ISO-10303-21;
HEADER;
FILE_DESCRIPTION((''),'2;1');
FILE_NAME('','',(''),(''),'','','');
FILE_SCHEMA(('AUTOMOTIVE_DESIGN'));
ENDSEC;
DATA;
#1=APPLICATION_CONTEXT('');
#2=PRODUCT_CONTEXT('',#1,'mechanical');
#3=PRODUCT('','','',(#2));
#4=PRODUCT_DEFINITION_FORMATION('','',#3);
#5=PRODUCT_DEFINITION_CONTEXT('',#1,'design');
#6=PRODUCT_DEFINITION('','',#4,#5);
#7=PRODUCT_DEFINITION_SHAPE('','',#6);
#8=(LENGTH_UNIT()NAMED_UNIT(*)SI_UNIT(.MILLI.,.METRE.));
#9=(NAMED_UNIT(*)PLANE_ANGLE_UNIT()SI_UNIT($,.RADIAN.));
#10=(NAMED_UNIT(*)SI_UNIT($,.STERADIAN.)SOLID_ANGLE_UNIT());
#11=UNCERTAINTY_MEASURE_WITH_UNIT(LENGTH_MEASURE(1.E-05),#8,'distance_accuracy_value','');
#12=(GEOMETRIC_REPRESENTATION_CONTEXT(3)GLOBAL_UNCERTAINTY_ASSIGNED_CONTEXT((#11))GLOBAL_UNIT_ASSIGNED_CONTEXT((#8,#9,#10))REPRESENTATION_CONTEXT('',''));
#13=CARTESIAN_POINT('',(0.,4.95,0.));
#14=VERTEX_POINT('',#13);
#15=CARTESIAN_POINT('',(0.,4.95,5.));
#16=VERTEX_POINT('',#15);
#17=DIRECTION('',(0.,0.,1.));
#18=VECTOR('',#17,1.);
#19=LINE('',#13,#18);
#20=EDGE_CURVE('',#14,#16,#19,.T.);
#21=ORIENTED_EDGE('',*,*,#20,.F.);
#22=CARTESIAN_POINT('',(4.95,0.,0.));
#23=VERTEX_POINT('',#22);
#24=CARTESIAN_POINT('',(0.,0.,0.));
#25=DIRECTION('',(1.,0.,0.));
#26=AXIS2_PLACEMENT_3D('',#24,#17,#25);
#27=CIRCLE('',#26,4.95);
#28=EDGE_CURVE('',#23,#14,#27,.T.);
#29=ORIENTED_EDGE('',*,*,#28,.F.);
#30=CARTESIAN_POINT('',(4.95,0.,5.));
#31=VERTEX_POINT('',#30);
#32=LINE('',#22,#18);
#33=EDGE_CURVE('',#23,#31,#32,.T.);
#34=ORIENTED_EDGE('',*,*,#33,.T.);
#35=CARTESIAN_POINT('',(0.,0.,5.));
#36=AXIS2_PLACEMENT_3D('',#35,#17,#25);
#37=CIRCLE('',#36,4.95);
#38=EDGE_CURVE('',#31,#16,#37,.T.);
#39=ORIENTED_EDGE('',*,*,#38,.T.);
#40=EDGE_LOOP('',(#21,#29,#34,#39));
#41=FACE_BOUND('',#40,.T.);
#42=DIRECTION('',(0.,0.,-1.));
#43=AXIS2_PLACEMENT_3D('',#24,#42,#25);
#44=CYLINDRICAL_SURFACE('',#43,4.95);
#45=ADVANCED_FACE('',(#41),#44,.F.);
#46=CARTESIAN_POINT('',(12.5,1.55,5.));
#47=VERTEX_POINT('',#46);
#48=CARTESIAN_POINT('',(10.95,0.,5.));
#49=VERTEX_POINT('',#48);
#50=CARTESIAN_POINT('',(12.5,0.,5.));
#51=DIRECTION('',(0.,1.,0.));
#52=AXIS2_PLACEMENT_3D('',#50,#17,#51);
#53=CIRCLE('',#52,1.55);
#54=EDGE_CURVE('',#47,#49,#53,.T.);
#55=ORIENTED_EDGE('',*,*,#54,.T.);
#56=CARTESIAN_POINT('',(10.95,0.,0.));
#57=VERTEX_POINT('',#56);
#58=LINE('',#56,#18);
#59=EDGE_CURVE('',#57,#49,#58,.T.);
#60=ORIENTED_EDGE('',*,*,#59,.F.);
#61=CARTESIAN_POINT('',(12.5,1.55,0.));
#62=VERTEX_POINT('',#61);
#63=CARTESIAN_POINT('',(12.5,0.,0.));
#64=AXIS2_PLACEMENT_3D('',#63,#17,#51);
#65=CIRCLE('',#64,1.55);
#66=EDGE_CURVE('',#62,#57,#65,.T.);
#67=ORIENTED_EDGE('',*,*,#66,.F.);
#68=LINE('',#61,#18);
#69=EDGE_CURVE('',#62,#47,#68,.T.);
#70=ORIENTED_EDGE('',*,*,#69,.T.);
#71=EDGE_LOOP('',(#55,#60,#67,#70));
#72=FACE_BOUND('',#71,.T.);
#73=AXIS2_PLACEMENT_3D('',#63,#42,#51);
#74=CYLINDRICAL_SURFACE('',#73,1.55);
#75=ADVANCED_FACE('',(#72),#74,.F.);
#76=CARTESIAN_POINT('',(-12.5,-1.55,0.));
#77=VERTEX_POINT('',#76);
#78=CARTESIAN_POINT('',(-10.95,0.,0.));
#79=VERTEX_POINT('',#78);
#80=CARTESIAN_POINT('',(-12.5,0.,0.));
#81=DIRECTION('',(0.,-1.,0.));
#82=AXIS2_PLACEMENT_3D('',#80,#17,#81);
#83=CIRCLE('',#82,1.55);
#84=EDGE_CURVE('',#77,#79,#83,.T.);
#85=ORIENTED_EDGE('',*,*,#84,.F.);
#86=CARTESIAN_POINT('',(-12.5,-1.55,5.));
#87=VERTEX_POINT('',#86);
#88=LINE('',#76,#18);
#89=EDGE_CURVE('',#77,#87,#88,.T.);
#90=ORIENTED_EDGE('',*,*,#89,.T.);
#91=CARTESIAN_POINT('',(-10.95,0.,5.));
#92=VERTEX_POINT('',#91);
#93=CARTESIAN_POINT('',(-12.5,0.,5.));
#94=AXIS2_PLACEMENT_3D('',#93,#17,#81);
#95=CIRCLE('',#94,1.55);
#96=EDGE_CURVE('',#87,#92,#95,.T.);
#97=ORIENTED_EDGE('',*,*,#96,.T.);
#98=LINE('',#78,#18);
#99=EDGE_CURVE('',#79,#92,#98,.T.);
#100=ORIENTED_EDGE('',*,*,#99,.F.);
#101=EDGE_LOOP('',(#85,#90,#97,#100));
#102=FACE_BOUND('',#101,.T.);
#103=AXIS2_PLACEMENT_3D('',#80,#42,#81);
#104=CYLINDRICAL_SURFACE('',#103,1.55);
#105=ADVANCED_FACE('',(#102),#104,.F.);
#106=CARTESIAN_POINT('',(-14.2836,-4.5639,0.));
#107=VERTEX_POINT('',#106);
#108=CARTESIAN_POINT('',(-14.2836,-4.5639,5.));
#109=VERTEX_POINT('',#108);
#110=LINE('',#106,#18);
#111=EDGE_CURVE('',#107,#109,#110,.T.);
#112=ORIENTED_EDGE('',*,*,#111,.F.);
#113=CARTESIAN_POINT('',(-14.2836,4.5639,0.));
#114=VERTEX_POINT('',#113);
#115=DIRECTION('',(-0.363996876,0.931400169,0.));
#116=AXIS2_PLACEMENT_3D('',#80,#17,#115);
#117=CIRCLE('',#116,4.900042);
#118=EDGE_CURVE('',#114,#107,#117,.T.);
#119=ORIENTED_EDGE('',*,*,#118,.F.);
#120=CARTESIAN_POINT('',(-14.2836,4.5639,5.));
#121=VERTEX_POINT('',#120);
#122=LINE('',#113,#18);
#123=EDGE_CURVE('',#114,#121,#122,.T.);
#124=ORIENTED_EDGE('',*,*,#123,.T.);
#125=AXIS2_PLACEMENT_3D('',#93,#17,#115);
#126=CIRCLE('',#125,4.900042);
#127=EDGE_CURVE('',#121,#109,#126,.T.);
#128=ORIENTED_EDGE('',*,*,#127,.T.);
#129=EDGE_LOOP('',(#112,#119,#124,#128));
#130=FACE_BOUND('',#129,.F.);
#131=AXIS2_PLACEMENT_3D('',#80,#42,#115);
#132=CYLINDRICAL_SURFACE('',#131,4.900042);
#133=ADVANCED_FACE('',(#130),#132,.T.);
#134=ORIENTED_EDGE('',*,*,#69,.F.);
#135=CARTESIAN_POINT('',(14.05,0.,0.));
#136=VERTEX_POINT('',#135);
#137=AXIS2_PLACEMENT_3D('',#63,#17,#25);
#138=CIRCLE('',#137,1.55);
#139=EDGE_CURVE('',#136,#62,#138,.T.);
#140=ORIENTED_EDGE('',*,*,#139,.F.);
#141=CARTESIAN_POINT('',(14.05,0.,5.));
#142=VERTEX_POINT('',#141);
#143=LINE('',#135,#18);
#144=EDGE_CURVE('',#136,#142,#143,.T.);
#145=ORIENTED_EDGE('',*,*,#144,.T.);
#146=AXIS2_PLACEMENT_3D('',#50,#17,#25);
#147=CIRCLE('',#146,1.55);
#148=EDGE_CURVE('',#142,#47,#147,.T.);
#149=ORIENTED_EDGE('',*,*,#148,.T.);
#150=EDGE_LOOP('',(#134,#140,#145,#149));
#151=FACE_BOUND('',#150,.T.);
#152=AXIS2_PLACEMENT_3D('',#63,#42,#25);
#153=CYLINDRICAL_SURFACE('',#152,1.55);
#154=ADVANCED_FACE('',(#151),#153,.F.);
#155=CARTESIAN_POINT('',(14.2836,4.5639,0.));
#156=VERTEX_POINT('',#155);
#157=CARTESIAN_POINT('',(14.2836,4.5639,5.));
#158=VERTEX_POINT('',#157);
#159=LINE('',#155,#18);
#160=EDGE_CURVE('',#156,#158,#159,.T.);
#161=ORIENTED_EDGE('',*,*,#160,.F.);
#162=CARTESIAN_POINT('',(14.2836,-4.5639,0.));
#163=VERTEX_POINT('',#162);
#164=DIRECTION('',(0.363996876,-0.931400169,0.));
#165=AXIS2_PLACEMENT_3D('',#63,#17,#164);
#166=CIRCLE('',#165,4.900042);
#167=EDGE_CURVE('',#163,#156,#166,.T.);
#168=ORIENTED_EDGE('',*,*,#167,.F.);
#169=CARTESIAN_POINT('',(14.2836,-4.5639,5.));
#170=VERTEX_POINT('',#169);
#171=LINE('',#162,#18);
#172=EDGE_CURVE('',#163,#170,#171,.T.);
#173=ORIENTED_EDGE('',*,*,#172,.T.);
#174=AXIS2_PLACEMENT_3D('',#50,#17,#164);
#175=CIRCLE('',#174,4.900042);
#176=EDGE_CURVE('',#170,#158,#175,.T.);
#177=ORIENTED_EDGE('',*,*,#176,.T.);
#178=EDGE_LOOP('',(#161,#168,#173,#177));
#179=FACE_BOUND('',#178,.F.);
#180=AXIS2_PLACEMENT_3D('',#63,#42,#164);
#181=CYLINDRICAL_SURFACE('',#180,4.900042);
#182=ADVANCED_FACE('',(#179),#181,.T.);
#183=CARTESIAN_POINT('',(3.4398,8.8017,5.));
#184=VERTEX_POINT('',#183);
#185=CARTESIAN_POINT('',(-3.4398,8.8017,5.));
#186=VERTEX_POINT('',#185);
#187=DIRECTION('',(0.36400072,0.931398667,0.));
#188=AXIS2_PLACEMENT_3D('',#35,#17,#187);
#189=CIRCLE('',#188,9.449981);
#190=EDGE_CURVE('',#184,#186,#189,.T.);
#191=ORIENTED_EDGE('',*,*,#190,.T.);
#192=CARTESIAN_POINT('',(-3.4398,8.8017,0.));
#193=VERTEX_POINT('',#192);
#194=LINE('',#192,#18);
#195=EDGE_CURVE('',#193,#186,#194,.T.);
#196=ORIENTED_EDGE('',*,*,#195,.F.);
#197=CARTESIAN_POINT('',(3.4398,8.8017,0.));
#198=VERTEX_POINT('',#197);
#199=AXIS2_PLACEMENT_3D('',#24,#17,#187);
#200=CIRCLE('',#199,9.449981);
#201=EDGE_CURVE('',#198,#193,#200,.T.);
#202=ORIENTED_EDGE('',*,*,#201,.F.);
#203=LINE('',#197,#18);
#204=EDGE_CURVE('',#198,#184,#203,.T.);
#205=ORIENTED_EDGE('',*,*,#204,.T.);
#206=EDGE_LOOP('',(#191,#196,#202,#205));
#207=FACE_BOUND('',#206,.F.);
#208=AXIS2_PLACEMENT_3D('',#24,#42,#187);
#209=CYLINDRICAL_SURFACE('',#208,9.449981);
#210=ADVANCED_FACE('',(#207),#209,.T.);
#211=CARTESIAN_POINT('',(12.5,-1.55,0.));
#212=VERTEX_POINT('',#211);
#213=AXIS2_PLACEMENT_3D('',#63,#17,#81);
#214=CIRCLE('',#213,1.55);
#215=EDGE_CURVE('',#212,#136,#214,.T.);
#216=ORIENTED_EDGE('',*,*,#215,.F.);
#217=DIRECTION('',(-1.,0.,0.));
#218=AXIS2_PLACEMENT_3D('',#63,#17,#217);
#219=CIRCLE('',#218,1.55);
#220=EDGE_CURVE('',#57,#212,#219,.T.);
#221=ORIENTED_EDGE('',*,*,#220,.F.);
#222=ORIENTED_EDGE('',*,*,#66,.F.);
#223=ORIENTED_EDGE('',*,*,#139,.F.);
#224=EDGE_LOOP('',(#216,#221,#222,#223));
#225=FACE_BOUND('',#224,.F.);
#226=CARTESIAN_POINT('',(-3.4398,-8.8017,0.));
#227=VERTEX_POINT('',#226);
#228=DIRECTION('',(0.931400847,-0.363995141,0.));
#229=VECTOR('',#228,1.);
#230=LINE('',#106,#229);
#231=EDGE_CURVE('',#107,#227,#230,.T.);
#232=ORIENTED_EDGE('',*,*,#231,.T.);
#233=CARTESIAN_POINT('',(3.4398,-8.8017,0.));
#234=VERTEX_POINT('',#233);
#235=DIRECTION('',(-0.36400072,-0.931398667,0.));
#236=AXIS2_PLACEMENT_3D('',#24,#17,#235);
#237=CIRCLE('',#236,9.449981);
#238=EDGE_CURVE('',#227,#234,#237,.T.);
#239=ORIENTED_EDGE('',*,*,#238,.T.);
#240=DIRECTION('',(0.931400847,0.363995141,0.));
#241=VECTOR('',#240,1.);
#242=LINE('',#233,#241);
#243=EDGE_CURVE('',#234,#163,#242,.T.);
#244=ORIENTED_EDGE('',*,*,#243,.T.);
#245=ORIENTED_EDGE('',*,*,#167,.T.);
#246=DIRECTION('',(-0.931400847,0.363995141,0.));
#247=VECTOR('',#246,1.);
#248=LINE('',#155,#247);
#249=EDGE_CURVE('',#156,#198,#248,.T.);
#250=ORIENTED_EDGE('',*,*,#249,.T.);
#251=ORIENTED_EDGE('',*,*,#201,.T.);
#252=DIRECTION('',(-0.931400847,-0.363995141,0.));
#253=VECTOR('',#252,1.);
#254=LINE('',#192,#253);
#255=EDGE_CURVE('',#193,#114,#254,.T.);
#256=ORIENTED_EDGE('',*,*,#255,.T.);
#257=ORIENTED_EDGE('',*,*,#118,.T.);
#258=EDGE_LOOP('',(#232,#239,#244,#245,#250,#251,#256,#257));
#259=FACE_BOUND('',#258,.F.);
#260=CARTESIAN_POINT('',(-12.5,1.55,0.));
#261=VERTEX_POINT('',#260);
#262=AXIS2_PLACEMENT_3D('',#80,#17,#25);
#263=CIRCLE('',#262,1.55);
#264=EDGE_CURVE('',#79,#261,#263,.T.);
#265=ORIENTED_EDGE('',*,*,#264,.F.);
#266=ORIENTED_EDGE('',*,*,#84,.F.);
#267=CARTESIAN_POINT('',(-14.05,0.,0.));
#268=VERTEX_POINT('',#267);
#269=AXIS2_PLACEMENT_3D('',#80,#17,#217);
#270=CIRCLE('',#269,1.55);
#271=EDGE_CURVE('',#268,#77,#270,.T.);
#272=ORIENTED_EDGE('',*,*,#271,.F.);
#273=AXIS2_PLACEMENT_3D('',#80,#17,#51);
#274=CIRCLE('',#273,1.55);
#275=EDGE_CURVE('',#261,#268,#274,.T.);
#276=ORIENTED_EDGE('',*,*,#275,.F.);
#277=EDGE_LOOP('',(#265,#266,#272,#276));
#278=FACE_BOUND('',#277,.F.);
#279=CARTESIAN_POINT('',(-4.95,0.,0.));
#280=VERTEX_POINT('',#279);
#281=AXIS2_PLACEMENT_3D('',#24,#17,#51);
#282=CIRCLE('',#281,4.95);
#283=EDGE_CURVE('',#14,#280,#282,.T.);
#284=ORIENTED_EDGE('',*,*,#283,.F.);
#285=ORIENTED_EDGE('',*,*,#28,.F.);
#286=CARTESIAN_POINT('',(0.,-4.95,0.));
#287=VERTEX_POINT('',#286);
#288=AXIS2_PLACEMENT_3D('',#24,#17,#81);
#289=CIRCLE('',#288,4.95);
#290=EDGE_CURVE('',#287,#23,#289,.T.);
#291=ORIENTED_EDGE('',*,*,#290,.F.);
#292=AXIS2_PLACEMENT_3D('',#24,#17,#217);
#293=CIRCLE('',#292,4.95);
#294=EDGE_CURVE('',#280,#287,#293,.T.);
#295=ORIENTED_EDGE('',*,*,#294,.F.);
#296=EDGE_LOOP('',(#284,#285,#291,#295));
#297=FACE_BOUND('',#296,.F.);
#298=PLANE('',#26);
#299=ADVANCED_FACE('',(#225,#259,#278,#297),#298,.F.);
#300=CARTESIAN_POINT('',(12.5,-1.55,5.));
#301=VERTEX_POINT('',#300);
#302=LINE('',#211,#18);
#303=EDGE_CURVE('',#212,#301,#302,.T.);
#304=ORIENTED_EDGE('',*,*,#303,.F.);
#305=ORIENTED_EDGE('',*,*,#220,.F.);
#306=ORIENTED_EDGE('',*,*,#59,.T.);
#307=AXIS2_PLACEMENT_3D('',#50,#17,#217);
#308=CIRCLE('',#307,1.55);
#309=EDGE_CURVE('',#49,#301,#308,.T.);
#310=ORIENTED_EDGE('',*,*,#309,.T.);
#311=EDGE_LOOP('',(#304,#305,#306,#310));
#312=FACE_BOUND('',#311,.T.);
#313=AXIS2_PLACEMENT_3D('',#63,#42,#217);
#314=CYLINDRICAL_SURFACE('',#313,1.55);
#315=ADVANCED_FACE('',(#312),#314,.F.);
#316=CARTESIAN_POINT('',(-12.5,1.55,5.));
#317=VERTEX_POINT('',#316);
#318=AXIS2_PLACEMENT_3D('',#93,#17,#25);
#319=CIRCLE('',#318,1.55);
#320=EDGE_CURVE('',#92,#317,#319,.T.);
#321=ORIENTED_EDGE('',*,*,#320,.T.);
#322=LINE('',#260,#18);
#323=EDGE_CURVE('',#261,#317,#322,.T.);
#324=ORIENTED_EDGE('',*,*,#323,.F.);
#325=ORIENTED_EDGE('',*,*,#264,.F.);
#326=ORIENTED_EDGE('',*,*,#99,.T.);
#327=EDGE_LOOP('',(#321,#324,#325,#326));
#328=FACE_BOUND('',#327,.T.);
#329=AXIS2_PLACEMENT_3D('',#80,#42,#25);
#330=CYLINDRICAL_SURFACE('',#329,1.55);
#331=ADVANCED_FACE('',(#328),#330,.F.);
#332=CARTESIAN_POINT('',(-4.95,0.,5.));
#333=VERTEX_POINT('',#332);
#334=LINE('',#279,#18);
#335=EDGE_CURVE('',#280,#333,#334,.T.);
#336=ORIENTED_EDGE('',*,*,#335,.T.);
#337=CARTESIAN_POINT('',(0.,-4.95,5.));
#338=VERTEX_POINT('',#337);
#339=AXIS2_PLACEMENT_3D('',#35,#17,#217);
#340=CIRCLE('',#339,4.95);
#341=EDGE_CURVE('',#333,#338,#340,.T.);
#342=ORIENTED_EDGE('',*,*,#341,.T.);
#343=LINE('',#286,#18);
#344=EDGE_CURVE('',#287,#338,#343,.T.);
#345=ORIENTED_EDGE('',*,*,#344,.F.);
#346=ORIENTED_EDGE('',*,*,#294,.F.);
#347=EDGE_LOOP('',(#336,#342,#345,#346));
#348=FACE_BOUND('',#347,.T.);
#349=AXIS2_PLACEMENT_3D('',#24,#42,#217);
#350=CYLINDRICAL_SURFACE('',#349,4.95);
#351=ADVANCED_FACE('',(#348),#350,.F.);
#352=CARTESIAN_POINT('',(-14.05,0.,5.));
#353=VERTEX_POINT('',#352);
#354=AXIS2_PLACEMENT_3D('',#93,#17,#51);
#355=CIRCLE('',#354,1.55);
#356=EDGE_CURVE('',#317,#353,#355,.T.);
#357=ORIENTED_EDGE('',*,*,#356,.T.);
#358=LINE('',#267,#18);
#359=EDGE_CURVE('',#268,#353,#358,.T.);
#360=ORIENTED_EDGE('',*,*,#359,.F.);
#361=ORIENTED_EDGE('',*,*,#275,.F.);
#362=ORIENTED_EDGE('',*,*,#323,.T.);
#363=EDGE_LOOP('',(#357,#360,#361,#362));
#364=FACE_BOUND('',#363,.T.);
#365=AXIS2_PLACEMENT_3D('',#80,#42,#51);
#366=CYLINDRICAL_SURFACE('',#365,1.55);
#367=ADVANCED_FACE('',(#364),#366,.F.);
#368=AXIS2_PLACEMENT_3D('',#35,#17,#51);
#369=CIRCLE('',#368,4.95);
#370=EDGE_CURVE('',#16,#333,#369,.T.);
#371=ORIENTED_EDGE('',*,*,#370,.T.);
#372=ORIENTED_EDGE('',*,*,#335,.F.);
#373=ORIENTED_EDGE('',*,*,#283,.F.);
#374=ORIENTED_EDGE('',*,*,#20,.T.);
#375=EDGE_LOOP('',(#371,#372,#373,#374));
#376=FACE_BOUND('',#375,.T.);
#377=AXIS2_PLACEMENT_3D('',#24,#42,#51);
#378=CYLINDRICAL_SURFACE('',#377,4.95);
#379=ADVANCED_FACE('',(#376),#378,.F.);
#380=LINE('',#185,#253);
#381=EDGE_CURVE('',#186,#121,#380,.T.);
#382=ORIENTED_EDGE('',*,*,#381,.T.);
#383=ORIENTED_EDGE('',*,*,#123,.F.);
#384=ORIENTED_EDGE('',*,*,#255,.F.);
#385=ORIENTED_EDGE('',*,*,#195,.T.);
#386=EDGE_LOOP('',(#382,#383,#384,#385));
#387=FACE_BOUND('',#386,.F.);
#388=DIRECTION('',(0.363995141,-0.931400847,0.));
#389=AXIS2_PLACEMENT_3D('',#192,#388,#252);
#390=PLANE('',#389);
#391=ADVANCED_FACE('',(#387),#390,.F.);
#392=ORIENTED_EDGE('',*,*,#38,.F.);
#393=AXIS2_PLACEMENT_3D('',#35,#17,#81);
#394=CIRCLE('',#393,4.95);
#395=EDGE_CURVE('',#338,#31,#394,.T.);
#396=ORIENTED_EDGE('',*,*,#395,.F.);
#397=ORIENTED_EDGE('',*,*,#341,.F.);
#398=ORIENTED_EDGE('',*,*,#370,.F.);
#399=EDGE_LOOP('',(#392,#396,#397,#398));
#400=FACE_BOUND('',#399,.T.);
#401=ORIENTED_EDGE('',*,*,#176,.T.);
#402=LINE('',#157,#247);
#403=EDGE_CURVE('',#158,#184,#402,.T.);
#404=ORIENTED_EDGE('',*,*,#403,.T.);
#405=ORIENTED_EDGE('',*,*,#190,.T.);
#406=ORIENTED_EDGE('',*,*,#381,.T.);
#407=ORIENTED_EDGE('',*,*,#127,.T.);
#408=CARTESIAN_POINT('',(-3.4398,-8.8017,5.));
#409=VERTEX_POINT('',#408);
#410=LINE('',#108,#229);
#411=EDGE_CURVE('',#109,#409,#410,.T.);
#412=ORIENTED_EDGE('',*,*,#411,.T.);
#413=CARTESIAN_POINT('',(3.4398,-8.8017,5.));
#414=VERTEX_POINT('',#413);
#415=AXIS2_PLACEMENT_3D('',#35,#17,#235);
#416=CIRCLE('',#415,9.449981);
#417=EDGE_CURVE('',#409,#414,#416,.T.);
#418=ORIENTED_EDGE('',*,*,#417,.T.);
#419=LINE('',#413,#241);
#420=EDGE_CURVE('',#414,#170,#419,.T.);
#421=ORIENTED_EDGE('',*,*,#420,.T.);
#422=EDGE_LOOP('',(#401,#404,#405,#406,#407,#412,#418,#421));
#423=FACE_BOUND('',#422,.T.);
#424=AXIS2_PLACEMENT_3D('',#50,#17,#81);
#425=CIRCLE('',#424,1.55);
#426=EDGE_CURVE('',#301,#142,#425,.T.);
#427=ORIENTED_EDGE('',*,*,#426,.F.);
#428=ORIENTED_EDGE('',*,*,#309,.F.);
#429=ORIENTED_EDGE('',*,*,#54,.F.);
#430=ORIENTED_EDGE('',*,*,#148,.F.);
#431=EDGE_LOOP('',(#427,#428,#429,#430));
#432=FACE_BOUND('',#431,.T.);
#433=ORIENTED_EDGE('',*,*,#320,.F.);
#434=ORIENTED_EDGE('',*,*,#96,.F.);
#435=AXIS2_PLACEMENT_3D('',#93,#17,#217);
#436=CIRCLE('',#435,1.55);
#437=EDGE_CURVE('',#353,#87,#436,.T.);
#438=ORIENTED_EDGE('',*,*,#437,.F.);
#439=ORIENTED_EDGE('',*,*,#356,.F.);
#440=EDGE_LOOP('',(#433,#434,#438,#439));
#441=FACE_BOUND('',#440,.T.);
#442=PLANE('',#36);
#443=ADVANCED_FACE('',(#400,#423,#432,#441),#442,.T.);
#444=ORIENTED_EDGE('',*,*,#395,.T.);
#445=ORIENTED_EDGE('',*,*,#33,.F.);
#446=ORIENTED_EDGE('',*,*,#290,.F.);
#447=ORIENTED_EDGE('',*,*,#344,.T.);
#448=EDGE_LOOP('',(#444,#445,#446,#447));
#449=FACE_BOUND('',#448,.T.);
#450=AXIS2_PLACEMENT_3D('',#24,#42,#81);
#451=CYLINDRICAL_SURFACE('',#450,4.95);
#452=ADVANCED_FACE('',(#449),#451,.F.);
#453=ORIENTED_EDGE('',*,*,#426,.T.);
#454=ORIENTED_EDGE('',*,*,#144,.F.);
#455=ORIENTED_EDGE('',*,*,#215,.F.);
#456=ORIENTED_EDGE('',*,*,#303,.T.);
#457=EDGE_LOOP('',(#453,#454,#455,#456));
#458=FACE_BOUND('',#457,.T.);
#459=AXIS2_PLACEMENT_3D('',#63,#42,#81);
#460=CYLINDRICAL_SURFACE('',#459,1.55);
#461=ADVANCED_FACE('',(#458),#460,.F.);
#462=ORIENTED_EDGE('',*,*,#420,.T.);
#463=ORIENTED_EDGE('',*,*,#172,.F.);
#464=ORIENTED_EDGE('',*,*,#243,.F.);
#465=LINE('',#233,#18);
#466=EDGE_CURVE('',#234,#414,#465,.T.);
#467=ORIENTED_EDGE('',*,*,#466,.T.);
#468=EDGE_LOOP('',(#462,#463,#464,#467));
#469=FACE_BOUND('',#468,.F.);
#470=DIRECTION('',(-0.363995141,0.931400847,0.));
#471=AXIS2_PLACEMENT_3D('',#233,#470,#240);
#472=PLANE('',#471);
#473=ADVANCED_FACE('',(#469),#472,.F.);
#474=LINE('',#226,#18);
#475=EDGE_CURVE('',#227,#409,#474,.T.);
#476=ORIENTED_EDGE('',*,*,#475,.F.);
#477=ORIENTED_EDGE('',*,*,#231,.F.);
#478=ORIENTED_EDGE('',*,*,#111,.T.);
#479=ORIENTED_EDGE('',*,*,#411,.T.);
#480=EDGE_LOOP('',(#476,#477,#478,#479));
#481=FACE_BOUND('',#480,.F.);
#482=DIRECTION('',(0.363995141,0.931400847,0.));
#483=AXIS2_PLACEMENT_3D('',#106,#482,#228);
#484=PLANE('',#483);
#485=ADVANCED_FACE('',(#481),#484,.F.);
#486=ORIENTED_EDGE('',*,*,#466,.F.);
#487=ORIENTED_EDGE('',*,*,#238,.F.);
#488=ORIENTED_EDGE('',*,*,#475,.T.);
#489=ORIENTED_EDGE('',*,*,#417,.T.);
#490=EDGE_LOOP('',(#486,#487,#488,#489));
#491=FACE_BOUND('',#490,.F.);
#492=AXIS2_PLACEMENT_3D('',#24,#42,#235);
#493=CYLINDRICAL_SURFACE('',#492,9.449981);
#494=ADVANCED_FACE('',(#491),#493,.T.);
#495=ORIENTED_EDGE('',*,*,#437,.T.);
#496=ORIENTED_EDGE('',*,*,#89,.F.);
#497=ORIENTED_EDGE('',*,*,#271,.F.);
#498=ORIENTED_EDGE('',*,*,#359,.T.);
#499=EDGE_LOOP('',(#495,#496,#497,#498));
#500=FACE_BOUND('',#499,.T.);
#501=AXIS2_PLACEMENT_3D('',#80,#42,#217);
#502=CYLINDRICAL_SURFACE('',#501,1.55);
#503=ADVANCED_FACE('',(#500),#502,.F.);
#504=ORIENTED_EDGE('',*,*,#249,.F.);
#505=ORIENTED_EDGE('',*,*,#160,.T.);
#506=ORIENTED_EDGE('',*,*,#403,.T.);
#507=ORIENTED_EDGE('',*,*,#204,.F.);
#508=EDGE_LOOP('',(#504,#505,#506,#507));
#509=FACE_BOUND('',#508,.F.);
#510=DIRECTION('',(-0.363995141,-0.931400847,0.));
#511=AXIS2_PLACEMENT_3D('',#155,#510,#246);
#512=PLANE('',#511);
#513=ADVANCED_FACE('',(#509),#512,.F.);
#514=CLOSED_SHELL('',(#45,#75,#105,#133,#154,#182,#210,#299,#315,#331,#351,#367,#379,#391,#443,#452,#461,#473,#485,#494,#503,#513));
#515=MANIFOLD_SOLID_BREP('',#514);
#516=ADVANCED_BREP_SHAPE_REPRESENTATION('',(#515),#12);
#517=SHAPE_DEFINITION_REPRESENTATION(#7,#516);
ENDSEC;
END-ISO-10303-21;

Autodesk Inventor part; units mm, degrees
ref_plane "YZ Plane" through (0, 0, 0) normal (1, 0, 0) x (0, 1, 0)
ref_plane "XZ Plane" through (0, 0, 0) normal (0, 1, 0) x (-1, 0, 0)
ref_plane "XY Plane" through (0, 0, 0) normal (0, 0, 1) x (1, 0, 0)
sketch "Boceto1" plane through (0, 0, 0) normal (0, 0, 1) x (1, 0, 0)
  arc A0 (12.5, 1.55) -> (10.95, 0) centre (12.5, 0) ccw
  arc A1 (10.95, 0) -> (12.5, -1.55) centre (12.5, 0) ccw
  arc A2 (12.5, -1.55) -> (14.05, 0) centre (12.5, 0) ccw
  arc A3 (14.05, 0) -> (12.5, 1.55) centre (12.5, 0) ccw
  arc A4 (0, 4.95) -> (-4.95, 0) centre (0, 0) ccw
  arc A5 (-4.95, 0) -> (0, -4.95) centre (0, 0) ccw
  arc A6 (0, -4.95) -> (4.95, 0) centre (0, 0) ccw
  arc A7 (4.95, 0) -> (0, 4.95) centre (0, 0) ccw
  arc A8 (-12.5, 1.55) -> (-14.05, 0) centre (-12.5, 0) ccw
  arc A9 (-14.05, 0) -> (-12.5, -1.55) centre (-12.5, 0) ccw
  arc A10 (-12.5, -1.55) -> (-10.95, 0) centre (-12.5, 0) ccw
  arc A11 (-10.95, 0) -> (-12.5, 1.55) centre (-12.5, 0) ccw
  arc A12 (3.4398, 8.8017) -> (-3.4398, 8.8017) centre (0, 0) ccw
  line L0 (-3.4398, 8.8017) -> (-14.2836, 4.5639)
  arc A13 (-14.2836, 4.5639) -> (-14.2836, -4.5639) centre (-12.5, 0) ccw
  line L1 (-14.2836, -4.5639) -> (-3.4398, -8.8017)
  arc A14 (-3.4398, -8.8017) -> (3.4398, -8.8017) centre (0, 0) ccw
  line L2 (3.4398, -8.8017) -> (14.2836, -4.5639)
  arc A15 (14.2836, -4.5639) -> (14.2836, 4.5639) centre (12.5, 0) ccw
  line L3 (14.2836, 4.5639) -> (3.4398, 8.8017)
  point P0 (0, 0)
extrude "Extrusión1" add sketch "Boceto1" along normal blind 5
properties part number "fixador barra"
